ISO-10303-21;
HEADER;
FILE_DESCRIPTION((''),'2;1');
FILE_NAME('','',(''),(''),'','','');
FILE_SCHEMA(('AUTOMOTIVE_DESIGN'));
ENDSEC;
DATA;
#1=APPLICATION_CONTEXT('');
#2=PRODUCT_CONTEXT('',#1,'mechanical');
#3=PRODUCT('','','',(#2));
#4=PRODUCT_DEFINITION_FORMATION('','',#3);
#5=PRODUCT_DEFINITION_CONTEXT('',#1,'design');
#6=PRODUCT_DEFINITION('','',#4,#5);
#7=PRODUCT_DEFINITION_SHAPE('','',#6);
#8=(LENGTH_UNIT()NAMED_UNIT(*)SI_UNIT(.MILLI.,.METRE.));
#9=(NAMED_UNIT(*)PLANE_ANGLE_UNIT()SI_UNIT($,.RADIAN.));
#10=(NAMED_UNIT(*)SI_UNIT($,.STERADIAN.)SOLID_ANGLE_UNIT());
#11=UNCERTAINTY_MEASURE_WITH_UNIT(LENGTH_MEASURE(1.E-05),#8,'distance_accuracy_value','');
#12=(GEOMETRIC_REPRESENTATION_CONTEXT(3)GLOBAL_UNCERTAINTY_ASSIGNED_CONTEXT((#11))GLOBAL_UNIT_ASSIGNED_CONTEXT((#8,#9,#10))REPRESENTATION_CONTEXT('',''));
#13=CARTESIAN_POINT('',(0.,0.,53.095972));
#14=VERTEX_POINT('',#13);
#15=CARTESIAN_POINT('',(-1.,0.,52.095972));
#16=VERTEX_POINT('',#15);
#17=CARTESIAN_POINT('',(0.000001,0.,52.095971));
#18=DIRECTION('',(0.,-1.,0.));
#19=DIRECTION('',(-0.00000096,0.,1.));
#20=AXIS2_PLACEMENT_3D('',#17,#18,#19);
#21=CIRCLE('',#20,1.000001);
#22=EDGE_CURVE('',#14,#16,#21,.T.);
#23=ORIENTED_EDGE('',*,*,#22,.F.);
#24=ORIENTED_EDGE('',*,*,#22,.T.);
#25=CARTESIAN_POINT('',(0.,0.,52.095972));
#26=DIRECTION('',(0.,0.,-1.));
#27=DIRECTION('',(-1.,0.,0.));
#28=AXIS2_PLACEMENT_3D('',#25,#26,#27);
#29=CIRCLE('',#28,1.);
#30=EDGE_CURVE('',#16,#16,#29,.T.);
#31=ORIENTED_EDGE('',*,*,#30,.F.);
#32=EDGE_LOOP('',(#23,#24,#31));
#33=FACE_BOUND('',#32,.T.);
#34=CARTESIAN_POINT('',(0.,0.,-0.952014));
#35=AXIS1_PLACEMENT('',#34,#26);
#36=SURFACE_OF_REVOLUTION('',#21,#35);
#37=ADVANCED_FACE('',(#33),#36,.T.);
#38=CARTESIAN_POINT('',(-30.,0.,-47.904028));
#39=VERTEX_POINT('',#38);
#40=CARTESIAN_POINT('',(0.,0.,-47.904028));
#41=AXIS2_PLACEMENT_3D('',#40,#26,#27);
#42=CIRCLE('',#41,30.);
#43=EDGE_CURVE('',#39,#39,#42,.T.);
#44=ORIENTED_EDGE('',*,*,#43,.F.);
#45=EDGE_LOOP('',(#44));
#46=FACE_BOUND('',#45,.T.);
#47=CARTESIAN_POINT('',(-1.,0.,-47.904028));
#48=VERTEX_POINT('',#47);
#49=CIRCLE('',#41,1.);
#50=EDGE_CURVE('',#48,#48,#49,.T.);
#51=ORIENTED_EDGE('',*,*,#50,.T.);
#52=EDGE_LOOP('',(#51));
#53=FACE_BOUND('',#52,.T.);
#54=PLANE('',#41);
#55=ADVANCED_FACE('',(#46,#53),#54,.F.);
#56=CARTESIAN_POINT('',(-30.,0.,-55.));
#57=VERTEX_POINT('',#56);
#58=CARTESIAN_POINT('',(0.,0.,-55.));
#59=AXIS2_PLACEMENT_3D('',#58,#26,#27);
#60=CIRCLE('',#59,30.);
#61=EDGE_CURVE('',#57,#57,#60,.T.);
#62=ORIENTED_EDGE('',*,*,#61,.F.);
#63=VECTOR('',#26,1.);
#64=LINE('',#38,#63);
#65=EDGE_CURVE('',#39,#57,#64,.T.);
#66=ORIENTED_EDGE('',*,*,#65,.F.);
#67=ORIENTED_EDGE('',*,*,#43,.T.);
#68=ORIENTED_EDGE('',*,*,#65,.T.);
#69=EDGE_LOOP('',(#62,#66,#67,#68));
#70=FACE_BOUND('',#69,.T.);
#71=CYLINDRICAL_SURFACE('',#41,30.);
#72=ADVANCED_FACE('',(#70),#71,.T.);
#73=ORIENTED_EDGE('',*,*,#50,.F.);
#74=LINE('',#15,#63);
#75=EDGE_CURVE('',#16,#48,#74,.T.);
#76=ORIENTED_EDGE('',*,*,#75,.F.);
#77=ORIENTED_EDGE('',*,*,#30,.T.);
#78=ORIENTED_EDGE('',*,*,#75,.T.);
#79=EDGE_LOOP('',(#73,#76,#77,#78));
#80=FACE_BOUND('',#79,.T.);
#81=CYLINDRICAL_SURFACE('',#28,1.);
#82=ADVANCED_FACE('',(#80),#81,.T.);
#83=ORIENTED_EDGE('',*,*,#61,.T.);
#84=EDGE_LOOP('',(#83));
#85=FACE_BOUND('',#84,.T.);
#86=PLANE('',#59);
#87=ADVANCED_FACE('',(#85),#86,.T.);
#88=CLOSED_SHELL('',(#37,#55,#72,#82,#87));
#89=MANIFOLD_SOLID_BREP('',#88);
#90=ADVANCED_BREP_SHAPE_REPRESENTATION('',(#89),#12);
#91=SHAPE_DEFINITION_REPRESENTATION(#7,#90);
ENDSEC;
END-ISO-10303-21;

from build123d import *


with BuildPart() as f1:
    # F0 (on Front) → F1 (revolve)
    with BuildSketch(Plane.XZ):
        with BuildLine():
            ThreePointArc((0, 53.095972), (-0.707107, 52.803078), (-1, 52.095972))
            Line((-1, 52.095972), (-1, -47.904028))
            Line((-1, -47.904028), (-30, -47.904028))
            Line((-30, -47.904028), (-30, -55))
            Line((-30, -55), (0, -55))
            Line((0, -55), (0, 53.095972))
        make_face()
    revolve(axis=Axis((0, 0, -0.952014), (0, 0, -1)))


solid = f1.part
